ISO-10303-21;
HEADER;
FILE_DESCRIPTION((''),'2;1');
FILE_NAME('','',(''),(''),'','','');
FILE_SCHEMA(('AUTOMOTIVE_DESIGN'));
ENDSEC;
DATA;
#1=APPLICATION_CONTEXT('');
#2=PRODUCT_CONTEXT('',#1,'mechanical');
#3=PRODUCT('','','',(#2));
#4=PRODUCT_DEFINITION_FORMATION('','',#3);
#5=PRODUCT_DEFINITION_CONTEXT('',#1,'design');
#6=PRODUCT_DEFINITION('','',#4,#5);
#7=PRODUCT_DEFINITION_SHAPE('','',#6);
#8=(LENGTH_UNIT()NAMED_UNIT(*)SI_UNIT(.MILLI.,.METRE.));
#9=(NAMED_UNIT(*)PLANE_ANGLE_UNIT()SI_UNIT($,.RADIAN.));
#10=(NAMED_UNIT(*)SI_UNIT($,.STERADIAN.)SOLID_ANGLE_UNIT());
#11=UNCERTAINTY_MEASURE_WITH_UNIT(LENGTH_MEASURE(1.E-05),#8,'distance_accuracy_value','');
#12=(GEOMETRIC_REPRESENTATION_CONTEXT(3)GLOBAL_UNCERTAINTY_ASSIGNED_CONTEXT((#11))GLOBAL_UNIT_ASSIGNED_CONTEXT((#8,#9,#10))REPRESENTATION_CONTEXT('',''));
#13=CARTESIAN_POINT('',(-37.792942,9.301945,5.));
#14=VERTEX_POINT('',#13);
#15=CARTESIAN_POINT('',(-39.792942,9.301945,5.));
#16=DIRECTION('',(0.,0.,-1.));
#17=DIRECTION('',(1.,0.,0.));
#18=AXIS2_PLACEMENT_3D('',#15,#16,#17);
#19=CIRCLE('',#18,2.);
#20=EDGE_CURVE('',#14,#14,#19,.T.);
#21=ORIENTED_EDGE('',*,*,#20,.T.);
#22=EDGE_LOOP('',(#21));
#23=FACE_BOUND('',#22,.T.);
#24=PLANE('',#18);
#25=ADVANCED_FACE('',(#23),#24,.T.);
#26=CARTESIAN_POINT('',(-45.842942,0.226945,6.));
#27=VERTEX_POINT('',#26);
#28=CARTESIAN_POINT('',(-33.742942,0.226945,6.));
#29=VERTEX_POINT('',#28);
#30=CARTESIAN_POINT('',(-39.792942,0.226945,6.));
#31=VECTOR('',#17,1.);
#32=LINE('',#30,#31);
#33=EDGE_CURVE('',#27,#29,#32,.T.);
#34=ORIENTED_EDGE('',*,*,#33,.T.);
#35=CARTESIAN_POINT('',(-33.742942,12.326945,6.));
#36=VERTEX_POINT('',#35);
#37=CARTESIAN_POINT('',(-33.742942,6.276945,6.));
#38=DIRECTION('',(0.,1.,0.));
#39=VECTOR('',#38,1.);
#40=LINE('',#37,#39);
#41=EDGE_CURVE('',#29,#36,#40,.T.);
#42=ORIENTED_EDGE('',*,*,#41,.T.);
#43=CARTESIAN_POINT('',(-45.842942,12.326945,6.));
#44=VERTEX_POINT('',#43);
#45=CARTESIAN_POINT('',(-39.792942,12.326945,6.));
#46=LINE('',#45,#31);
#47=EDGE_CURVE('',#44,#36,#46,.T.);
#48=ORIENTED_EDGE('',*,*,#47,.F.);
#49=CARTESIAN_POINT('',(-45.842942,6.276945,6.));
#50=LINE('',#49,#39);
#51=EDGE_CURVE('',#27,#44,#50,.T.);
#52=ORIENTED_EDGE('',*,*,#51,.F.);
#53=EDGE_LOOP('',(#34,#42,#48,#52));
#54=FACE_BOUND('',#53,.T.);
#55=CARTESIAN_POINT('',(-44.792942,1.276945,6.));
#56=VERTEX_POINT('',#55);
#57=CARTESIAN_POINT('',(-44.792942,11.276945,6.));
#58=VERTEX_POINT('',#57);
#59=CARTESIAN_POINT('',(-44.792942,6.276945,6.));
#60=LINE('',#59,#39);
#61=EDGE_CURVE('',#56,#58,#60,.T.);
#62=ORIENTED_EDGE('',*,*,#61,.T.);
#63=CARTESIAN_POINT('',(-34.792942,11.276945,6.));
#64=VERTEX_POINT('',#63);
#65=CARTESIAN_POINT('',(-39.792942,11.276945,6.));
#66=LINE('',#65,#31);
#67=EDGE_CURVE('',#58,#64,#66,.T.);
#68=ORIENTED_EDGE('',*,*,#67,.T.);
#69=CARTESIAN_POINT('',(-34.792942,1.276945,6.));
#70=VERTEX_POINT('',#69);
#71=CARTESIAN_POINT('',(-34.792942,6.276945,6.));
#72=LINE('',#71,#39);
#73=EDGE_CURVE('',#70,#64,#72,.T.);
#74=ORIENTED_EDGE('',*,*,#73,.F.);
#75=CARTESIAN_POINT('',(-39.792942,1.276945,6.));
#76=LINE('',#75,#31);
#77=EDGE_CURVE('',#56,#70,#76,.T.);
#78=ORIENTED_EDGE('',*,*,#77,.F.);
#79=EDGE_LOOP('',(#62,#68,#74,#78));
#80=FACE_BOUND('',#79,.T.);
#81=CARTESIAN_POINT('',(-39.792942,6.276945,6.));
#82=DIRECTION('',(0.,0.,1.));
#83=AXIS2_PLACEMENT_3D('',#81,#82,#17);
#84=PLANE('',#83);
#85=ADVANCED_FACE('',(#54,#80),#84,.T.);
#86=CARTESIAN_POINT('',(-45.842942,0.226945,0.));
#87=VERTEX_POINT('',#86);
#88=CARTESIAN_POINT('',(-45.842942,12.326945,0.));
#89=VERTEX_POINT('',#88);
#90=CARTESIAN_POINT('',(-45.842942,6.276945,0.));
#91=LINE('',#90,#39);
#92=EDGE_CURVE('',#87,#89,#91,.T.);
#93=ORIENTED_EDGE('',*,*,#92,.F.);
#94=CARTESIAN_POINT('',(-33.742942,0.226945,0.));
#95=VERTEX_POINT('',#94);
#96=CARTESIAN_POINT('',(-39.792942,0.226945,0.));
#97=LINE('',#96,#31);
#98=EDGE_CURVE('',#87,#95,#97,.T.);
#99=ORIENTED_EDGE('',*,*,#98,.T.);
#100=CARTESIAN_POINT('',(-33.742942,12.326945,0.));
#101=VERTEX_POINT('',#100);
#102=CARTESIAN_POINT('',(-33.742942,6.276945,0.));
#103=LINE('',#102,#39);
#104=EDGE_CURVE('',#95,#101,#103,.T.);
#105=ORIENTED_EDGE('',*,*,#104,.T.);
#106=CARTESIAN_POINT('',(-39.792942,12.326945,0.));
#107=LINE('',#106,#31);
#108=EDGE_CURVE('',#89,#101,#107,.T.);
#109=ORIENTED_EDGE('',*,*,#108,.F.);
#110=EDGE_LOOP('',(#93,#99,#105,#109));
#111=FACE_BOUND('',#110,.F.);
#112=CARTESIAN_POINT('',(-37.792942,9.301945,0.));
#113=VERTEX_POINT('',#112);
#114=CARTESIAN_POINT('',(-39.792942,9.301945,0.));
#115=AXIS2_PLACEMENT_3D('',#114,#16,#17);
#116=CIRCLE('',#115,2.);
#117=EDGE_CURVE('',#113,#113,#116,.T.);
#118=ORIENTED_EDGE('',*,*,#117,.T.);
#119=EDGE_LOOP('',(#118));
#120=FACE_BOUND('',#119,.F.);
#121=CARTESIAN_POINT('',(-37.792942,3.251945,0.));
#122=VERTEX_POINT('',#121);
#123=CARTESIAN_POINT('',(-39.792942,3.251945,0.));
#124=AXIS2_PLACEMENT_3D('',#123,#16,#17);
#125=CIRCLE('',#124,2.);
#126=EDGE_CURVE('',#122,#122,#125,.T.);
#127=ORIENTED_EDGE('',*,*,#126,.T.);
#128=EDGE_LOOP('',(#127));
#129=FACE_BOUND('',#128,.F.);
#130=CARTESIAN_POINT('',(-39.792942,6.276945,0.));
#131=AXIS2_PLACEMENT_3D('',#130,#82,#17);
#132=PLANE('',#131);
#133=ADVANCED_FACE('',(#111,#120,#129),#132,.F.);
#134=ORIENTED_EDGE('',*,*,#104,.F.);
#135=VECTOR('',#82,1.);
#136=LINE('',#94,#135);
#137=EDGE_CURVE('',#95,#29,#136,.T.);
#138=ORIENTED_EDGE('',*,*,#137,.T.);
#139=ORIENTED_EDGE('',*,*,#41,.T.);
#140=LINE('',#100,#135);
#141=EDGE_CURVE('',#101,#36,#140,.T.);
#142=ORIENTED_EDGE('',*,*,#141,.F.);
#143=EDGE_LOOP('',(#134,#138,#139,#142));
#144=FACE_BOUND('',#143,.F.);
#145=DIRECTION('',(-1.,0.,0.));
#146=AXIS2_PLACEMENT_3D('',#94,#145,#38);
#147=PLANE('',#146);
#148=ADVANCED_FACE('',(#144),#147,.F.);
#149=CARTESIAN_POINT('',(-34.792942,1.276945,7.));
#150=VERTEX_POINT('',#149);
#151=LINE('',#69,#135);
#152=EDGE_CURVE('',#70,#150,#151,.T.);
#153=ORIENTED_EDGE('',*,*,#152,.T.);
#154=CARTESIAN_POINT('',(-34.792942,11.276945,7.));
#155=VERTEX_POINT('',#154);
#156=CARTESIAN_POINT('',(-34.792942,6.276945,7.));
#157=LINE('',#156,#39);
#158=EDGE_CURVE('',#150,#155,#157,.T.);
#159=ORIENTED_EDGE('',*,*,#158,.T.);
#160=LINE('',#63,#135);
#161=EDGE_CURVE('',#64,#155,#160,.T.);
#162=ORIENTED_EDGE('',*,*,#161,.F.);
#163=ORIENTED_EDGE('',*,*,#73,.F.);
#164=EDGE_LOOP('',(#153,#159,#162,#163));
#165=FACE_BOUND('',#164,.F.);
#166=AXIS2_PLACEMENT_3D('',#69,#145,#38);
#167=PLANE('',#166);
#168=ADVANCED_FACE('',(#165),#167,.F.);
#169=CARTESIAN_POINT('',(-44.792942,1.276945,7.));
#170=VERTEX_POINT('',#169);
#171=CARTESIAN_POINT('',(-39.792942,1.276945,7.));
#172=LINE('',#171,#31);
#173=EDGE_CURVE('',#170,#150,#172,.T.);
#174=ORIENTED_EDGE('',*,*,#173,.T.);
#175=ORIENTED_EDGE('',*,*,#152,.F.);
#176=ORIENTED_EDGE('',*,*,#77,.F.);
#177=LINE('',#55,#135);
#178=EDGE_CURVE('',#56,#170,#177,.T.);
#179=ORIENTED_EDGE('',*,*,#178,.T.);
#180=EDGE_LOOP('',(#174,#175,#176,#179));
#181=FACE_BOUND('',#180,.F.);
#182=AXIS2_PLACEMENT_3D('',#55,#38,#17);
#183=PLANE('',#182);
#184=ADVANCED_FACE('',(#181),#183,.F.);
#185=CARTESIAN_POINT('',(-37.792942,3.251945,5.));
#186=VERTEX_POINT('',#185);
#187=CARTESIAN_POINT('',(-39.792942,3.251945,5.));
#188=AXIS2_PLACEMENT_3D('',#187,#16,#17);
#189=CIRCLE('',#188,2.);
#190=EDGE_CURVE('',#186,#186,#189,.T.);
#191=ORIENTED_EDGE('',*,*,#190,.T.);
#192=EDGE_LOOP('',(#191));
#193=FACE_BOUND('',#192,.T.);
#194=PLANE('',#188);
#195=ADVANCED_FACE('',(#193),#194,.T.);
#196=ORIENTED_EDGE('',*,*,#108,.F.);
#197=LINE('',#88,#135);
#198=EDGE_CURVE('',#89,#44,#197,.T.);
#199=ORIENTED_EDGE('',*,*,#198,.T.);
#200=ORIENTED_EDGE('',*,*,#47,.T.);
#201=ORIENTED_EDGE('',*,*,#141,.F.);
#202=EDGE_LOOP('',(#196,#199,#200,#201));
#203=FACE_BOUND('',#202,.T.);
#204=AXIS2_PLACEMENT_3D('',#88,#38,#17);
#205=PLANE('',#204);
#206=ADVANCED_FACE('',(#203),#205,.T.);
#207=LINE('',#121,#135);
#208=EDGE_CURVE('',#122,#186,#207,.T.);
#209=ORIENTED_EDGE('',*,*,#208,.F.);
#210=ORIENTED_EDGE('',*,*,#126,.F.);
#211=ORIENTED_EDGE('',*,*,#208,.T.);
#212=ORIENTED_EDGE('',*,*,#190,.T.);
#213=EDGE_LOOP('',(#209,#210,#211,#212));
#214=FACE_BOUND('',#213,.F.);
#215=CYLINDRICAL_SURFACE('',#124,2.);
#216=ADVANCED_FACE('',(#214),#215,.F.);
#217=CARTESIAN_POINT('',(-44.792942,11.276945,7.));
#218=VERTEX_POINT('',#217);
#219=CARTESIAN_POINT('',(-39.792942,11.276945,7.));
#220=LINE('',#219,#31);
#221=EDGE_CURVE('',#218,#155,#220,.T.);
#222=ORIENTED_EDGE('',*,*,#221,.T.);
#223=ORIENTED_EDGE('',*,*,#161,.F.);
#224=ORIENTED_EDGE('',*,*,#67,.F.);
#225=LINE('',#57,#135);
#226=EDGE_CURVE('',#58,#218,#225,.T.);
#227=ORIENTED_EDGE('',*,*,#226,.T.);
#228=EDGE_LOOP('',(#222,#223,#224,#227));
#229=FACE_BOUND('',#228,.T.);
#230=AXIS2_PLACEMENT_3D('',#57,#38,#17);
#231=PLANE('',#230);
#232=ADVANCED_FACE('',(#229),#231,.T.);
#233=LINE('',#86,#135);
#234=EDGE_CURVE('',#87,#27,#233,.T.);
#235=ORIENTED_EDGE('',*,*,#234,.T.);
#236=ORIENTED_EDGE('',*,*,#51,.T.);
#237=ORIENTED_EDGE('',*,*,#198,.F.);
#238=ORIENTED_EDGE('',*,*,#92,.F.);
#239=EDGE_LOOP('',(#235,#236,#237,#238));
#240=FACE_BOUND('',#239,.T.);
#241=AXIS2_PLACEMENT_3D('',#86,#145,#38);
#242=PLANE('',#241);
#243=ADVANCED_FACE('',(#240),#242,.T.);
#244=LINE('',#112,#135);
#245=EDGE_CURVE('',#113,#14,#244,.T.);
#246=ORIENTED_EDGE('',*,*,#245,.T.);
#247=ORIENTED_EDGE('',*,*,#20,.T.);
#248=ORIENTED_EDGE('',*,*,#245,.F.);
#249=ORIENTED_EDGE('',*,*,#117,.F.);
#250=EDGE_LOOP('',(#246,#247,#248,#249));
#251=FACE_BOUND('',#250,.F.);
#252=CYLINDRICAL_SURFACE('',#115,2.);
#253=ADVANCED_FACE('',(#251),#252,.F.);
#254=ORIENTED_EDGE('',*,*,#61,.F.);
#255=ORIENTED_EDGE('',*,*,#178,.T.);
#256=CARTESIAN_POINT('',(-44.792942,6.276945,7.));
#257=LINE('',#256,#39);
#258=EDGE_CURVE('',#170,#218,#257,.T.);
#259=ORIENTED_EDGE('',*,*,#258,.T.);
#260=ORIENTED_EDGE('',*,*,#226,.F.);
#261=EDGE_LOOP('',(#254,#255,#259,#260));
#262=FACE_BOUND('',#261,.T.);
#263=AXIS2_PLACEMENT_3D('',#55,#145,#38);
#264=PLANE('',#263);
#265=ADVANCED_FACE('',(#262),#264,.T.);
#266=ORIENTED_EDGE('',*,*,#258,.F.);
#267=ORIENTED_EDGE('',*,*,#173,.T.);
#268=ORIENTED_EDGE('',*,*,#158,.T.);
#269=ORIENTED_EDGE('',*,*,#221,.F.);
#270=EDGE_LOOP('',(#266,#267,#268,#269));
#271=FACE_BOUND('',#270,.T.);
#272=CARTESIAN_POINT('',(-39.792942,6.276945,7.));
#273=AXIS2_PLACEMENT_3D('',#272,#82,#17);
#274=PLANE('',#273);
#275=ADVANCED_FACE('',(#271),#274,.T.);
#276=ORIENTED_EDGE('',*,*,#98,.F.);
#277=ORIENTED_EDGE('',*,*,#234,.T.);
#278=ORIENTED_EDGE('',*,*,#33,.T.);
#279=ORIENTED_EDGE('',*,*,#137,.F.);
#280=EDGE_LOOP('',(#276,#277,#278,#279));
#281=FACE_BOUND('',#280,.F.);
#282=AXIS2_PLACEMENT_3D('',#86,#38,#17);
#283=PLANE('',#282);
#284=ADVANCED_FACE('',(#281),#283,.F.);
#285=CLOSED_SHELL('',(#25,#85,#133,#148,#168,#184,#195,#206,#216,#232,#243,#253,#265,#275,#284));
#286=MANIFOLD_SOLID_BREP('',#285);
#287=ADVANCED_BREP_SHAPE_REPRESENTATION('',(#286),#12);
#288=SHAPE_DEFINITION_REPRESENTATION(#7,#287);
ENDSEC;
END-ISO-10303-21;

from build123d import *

# Parameters (mm, degrees)
F0_W     = 12.1
F0_H     = 12.1
F1_DEPTH = 6
F2_R     = 2
F3_DEPTH = 5
F4_W     = 10
F4_H     = 10
F5_DEPTH = 1


with BuildPart() as f1:
    # F0 (on Top) → F1 (new body)
    with BuildSketch(Plane.XY):
        with Locations((-39.792942, 6.276945)):
            Rectangle(F0_W, F0_H)
    extrude(amount=F1_DEPTH)

    # F2 (on face) → F3 (cut)
    with BuildSketch(Plane(origin=(0, 0, 0), x_dir=(1, 0, 0), z_dir=(0, 0, -1))):
        with Locations((-39.792942, -3.251945)):
            Circle(F2_R)
        with Locations((-39.792942, -9.301945)):
            Circle(F2_R)
    extrude(amount=-F3_DEPTH, mode=Mode.SUBTRACT)

    # F4 (on face) → F5 (join)
    with BuildSketch(Plane.XY.offset(6)):
        with Locations((-39.792942, 6.276945)):
            Rectangle(F4_W, F4_H)
    extrude(amount=F5_DEPTH)


solid = f1.part
